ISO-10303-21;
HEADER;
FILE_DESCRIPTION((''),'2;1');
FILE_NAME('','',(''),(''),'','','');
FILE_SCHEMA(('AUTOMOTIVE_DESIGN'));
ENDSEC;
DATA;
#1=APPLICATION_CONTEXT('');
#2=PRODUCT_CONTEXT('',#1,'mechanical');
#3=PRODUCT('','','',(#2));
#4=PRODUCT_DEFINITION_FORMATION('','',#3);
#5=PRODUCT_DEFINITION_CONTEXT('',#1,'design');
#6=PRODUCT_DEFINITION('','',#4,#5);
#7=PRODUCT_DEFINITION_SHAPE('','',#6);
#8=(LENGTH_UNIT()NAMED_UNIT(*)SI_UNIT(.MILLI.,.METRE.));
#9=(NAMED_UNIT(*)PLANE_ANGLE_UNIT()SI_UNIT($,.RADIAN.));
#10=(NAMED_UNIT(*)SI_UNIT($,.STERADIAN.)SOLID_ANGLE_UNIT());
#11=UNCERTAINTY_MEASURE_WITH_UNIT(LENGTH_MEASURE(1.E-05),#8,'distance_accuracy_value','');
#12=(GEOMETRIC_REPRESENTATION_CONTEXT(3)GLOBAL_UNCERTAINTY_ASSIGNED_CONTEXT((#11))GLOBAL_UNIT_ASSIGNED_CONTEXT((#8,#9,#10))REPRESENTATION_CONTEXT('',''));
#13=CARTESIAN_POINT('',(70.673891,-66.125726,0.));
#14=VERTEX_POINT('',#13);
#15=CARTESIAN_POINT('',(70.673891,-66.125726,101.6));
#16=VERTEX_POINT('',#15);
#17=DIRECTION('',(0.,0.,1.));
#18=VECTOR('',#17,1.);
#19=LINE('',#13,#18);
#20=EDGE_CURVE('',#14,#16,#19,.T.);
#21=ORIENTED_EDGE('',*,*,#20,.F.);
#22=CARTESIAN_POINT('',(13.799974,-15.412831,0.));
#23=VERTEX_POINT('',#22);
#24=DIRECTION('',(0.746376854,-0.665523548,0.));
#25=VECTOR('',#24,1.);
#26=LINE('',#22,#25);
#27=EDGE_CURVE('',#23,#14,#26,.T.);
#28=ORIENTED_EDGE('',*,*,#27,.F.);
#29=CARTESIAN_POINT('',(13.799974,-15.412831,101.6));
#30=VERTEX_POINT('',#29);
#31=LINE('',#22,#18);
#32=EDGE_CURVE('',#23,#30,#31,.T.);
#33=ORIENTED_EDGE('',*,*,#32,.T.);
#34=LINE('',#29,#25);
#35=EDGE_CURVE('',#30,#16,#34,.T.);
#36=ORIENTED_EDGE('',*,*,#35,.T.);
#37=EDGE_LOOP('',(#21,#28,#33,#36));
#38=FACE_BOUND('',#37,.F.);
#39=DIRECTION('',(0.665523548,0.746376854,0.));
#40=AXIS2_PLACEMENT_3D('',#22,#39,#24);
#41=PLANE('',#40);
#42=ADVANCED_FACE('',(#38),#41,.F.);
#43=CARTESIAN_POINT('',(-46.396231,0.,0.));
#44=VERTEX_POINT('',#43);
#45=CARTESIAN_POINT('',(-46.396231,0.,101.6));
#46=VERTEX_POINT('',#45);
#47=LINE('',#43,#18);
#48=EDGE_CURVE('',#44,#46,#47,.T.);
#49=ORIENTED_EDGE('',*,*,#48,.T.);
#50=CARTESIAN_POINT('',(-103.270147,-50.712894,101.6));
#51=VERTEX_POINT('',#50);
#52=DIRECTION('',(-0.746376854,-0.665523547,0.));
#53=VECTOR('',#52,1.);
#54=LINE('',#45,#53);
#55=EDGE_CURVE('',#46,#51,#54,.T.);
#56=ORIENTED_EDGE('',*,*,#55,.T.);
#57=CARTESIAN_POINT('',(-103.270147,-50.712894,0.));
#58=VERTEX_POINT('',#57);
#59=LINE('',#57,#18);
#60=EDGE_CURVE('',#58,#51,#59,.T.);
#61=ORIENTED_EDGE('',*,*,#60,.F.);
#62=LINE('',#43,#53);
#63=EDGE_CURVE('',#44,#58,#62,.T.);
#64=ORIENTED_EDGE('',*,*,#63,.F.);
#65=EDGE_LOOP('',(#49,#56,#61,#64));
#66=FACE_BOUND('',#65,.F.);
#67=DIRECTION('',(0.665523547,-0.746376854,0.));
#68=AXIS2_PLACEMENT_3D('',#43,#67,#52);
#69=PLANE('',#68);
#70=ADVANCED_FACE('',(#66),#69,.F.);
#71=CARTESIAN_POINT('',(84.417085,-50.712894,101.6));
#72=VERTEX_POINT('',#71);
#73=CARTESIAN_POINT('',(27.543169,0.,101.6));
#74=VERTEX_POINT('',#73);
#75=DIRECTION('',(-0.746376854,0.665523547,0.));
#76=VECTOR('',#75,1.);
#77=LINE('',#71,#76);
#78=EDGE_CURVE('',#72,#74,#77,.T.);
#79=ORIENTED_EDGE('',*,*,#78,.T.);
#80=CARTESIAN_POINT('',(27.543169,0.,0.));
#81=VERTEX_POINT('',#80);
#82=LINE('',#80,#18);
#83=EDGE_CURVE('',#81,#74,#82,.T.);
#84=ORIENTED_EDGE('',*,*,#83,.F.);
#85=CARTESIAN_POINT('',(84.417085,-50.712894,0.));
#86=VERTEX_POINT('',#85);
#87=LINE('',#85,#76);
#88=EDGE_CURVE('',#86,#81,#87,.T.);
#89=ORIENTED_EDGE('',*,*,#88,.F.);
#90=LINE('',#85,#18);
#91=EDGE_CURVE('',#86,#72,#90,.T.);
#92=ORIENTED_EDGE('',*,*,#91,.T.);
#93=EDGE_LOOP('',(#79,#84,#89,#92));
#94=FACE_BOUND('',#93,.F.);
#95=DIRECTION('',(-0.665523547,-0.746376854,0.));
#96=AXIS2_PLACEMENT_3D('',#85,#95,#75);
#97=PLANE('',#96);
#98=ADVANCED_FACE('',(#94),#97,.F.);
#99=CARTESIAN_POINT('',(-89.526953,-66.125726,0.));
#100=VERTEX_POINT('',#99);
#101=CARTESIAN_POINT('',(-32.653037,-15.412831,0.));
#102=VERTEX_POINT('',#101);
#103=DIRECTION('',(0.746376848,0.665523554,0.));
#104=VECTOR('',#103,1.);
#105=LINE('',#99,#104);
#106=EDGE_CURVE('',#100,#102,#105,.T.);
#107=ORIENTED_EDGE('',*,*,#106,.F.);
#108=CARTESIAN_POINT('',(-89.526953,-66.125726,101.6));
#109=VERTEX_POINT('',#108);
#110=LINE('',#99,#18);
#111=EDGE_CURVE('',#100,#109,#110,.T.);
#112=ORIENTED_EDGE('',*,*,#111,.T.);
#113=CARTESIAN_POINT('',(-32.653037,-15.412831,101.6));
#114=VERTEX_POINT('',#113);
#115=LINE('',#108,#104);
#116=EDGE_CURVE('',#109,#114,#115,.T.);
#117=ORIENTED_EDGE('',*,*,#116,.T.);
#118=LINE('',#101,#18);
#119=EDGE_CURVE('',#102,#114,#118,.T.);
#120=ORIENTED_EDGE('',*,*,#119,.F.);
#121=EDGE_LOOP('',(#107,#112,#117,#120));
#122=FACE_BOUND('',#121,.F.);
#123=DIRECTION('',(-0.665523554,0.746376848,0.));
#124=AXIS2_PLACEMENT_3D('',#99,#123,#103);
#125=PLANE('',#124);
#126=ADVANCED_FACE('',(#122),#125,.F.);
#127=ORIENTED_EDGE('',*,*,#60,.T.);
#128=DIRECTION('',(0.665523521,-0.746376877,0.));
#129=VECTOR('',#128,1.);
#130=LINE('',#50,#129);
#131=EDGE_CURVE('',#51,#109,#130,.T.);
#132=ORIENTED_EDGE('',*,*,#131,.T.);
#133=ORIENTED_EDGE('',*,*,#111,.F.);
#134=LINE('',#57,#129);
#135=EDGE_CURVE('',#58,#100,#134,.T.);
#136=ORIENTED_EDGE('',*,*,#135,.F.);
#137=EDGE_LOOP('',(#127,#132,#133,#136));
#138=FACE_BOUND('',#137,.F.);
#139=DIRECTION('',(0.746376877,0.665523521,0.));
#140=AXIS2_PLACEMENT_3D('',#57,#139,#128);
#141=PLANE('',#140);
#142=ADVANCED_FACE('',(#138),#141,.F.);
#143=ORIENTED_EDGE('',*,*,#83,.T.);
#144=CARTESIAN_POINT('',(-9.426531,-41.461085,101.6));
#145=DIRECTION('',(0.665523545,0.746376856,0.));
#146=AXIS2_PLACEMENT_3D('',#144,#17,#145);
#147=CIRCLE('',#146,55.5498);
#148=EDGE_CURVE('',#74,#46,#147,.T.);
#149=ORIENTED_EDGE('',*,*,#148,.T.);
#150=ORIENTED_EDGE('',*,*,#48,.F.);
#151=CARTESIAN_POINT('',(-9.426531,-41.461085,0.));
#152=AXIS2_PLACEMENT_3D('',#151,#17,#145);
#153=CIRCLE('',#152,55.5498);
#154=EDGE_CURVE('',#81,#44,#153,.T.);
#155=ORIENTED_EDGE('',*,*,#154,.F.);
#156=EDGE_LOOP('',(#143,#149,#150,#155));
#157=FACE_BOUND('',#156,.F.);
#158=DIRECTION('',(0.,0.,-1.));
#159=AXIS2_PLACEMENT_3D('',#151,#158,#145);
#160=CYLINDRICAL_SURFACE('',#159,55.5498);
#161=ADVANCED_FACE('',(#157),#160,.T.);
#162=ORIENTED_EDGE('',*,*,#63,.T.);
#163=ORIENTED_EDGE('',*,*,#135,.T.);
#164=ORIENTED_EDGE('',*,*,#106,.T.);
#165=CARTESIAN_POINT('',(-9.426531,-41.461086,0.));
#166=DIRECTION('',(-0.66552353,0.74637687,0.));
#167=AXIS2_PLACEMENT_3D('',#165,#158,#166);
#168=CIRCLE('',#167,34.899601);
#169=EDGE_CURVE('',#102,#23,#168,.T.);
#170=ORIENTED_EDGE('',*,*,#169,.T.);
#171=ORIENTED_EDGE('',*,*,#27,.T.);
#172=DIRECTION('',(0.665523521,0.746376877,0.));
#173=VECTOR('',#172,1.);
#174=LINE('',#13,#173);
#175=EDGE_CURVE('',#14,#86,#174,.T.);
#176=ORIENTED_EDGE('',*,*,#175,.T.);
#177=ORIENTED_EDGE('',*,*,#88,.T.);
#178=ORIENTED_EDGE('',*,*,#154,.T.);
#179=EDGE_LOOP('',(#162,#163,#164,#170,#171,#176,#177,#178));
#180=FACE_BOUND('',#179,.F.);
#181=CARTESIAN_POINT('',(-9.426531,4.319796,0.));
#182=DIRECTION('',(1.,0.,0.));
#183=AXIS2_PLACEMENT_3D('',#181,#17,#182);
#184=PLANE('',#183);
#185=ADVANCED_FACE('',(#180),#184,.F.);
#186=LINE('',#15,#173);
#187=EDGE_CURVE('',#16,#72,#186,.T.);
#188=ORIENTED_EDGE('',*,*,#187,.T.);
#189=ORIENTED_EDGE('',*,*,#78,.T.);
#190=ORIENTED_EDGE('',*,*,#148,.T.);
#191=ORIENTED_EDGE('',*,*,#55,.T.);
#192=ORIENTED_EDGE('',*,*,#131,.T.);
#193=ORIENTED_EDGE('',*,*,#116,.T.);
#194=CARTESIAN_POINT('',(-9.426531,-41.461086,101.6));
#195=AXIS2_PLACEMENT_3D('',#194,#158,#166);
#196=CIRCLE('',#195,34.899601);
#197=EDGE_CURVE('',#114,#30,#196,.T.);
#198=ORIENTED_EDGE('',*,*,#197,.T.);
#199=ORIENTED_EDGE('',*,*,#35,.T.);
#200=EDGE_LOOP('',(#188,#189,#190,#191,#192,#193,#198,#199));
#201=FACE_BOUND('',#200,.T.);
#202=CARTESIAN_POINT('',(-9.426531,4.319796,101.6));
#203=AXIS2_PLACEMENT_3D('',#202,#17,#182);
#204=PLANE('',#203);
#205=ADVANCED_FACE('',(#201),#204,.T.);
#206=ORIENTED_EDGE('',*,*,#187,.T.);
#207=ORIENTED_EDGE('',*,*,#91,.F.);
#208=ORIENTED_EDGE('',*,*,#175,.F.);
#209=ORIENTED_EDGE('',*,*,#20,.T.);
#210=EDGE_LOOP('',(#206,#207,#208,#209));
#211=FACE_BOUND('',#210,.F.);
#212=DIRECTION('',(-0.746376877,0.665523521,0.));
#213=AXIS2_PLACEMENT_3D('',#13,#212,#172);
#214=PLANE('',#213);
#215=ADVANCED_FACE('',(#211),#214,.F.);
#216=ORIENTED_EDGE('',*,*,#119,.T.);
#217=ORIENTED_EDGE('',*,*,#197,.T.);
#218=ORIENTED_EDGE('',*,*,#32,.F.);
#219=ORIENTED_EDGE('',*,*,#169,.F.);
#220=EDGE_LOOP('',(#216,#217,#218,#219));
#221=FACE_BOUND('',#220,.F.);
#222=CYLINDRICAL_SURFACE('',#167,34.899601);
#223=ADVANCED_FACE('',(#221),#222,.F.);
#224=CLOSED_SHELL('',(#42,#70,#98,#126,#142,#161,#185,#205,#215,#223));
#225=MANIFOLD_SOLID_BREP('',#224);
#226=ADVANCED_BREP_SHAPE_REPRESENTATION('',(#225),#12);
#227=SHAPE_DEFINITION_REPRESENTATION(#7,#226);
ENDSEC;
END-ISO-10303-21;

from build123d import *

# Parameters (mm, degrees)
F1_DEPTH = 101.6


with BuildPart() as f1:
    # F0 (on Top) → F1 (new body)
    with BuildSketch(Plane.XY):
        with BuildLine():
            ThreePointArc((27.543169, 0), (-9.426531, 14.088715), (-46.396231, 0))
            Line((-46.396231, 0), (27.543169, 0))
        make_face()
        with BuildLine():
            Line((27.543169, 0), (-46.396231, 0))
            Line((-46.396231, 0), (-103.270147, -50.712894))
            Line((-103.270147, -50.712894), (-89.526953, -66.125726))
            Line((-89.526953, -66.125726), (-32.653037, -15.412831))
            ThreePointArc((-32.653037, -15.412831), (-9.426531, -6.561485), (13.799974, -15.412831))
            Line((13.799974, -15.412831), (70.673891, -66.125726))
            Line((70.673891, -66.125726), (84.417085, -50.712894))
            Line((84.417085, -50.712894), (27.543169, 0))
        make_face()
    extrude(amount=F1_DEPTH)


solid = f1.part
